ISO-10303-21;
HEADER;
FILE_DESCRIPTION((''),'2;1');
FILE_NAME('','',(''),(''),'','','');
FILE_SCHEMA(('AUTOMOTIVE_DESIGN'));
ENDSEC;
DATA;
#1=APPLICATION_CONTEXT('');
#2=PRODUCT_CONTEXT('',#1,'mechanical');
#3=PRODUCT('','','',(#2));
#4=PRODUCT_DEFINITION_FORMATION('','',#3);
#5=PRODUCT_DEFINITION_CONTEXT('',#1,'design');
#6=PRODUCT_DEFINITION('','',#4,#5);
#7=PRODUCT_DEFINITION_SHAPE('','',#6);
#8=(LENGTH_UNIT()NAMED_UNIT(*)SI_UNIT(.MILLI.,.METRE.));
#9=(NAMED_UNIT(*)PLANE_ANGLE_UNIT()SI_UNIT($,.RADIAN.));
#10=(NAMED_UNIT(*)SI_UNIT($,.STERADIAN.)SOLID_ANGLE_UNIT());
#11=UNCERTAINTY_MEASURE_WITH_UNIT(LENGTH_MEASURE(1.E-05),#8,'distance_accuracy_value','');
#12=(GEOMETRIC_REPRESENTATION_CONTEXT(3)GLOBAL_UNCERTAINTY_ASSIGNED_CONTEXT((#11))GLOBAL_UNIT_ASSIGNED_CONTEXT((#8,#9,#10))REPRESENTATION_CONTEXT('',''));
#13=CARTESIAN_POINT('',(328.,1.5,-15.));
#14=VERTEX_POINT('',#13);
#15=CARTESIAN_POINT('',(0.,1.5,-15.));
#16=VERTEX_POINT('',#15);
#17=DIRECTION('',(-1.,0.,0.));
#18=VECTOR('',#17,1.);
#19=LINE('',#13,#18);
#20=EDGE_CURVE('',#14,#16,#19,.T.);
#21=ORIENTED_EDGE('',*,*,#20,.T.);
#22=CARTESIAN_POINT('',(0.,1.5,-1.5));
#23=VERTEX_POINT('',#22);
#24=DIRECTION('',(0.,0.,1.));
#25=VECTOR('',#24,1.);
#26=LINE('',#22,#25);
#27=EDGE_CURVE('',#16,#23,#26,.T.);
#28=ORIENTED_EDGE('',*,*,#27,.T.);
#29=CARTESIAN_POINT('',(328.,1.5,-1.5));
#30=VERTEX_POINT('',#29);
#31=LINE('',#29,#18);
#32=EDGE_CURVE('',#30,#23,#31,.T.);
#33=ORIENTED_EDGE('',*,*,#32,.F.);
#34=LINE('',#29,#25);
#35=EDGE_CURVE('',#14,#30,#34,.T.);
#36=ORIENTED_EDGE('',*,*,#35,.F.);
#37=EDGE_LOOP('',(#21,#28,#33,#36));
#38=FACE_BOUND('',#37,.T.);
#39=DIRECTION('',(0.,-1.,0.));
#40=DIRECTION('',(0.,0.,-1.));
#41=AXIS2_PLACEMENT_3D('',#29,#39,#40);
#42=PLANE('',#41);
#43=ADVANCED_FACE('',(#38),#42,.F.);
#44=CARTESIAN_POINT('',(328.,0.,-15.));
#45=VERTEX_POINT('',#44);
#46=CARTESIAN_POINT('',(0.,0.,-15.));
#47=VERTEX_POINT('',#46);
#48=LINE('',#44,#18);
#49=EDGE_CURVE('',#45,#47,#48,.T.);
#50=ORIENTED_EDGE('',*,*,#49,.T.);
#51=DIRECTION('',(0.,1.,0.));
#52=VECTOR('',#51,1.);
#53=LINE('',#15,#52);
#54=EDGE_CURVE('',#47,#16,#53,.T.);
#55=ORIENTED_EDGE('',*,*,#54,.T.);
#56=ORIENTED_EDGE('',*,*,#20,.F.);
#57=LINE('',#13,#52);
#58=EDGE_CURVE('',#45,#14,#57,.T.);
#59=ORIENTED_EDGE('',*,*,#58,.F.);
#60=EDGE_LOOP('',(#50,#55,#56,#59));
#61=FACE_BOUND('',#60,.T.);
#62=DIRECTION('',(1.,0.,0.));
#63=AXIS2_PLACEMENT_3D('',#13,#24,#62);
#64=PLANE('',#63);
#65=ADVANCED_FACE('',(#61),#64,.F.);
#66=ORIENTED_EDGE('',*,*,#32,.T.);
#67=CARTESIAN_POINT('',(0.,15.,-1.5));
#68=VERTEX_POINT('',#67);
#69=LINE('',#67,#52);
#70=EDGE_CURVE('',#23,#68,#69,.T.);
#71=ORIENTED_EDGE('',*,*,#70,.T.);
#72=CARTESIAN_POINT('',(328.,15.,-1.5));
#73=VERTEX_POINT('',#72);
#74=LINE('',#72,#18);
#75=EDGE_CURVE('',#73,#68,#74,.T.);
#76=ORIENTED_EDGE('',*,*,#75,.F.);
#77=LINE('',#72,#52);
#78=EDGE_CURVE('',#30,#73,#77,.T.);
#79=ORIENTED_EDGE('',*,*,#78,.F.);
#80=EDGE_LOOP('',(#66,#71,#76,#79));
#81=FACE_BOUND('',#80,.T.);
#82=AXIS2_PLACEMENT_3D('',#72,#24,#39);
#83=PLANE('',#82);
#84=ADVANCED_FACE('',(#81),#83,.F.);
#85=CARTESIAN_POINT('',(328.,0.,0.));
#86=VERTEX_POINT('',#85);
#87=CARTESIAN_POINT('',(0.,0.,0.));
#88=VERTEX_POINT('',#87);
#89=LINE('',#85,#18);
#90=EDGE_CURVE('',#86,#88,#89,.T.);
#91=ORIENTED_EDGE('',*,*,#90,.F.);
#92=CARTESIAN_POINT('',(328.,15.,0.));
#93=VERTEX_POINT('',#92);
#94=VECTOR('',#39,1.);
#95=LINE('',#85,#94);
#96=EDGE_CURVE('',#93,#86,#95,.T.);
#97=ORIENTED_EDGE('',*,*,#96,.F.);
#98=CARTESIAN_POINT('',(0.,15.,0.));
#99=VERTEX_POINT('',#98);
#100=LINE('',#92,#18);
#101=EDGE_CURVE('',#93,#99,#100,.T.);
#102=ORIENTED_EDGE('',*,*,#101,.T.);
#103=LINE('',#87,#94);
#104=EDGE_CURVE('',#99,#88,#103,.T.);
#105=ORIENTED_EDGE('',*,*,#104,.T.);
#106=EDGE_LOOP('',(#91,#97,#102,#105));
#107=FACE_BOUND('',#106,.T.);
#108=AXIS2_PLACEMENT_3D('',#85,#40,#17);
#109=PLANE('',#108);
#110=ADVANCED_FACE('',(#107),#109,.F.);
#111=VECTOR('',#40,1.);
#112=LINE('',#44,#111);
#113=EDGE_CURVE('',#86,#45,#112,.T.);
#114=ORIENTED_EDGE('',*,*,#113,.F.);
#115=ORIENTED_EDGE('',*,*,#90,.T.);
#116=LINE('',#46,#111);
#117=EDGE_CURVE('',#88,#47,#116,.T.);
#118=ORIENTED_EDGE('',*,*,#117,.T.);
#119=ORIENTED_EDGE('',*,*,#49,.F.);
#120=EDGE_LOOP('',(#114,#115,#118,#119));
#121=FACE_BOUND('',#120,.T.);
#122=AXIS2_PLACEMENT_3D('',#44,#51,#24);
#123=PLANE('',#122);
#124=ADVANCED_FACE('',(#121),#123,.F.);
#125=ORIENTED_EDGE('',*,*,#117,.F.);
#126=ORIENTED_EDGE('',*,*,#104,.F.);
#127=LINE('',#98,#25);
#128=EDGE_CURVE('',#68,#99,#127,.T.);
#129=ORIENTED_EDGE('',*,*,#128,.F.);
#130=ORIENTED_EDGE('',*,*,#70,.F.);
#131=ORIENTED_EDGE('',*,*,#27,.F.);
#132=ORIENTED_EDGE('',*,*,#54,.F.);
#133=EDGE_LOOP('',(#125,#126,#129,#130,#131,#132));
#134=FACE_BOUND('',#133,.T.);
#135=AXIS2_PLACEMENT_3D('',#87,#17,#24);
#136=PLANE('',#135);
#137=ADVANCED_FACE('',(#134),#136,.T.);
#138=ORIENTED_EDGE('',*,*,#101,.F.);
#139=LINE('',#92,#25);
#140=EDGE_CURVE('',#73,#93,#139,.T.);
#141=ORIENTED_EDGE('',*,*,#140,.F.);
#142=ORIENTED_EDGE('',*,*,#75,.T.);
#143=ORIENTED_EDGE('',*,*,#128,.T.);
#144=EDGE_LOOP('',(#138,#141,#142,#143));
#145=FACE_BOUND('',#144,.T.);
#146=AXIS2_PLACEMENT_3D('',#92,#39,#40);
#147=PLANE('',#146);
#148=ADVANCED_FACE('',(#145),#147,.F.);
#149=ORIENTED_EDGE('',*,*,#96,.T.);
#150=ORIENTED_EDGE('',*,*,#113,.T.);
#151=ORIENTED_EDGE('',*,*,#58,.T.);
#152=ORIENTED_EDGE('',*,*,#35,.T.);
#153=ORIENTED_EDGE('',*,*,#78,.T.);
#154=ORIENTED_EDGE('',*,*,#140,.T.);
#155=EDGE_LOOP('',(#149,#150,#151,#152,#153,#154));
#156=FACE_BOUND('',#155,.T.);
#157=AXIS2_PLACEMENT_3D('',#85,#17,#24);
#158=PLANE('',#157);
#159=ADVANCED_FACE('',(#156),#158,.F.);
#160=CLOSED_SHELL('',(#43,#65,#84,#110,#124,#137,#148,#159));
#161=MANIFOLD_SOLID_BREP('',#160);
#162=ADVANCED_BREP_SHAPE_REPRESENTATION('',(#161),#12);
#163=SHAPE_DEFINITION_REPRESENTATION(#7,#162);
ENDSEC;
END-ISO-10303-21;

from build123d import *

# Parameters (mm, degrees)
EXTRUDE_1_DEPTH = 328


with BuildPart() as part:
    # Эскиз1 → Бобышка-Вытянуть1 (new body)
    with BuildSketch(Plane(origin=(0, 0, 0), x_dir=(0, 0, -1), z_dir=(1, 0, 0))):
        Polygon((0, 0), (0, 15), (1.5, 15), (1.5, 1.5), (15, 1.5), (15, 0), align=None)
    extrude(amount=EXTRUDE_1_DEPTH)


solid = part.part
